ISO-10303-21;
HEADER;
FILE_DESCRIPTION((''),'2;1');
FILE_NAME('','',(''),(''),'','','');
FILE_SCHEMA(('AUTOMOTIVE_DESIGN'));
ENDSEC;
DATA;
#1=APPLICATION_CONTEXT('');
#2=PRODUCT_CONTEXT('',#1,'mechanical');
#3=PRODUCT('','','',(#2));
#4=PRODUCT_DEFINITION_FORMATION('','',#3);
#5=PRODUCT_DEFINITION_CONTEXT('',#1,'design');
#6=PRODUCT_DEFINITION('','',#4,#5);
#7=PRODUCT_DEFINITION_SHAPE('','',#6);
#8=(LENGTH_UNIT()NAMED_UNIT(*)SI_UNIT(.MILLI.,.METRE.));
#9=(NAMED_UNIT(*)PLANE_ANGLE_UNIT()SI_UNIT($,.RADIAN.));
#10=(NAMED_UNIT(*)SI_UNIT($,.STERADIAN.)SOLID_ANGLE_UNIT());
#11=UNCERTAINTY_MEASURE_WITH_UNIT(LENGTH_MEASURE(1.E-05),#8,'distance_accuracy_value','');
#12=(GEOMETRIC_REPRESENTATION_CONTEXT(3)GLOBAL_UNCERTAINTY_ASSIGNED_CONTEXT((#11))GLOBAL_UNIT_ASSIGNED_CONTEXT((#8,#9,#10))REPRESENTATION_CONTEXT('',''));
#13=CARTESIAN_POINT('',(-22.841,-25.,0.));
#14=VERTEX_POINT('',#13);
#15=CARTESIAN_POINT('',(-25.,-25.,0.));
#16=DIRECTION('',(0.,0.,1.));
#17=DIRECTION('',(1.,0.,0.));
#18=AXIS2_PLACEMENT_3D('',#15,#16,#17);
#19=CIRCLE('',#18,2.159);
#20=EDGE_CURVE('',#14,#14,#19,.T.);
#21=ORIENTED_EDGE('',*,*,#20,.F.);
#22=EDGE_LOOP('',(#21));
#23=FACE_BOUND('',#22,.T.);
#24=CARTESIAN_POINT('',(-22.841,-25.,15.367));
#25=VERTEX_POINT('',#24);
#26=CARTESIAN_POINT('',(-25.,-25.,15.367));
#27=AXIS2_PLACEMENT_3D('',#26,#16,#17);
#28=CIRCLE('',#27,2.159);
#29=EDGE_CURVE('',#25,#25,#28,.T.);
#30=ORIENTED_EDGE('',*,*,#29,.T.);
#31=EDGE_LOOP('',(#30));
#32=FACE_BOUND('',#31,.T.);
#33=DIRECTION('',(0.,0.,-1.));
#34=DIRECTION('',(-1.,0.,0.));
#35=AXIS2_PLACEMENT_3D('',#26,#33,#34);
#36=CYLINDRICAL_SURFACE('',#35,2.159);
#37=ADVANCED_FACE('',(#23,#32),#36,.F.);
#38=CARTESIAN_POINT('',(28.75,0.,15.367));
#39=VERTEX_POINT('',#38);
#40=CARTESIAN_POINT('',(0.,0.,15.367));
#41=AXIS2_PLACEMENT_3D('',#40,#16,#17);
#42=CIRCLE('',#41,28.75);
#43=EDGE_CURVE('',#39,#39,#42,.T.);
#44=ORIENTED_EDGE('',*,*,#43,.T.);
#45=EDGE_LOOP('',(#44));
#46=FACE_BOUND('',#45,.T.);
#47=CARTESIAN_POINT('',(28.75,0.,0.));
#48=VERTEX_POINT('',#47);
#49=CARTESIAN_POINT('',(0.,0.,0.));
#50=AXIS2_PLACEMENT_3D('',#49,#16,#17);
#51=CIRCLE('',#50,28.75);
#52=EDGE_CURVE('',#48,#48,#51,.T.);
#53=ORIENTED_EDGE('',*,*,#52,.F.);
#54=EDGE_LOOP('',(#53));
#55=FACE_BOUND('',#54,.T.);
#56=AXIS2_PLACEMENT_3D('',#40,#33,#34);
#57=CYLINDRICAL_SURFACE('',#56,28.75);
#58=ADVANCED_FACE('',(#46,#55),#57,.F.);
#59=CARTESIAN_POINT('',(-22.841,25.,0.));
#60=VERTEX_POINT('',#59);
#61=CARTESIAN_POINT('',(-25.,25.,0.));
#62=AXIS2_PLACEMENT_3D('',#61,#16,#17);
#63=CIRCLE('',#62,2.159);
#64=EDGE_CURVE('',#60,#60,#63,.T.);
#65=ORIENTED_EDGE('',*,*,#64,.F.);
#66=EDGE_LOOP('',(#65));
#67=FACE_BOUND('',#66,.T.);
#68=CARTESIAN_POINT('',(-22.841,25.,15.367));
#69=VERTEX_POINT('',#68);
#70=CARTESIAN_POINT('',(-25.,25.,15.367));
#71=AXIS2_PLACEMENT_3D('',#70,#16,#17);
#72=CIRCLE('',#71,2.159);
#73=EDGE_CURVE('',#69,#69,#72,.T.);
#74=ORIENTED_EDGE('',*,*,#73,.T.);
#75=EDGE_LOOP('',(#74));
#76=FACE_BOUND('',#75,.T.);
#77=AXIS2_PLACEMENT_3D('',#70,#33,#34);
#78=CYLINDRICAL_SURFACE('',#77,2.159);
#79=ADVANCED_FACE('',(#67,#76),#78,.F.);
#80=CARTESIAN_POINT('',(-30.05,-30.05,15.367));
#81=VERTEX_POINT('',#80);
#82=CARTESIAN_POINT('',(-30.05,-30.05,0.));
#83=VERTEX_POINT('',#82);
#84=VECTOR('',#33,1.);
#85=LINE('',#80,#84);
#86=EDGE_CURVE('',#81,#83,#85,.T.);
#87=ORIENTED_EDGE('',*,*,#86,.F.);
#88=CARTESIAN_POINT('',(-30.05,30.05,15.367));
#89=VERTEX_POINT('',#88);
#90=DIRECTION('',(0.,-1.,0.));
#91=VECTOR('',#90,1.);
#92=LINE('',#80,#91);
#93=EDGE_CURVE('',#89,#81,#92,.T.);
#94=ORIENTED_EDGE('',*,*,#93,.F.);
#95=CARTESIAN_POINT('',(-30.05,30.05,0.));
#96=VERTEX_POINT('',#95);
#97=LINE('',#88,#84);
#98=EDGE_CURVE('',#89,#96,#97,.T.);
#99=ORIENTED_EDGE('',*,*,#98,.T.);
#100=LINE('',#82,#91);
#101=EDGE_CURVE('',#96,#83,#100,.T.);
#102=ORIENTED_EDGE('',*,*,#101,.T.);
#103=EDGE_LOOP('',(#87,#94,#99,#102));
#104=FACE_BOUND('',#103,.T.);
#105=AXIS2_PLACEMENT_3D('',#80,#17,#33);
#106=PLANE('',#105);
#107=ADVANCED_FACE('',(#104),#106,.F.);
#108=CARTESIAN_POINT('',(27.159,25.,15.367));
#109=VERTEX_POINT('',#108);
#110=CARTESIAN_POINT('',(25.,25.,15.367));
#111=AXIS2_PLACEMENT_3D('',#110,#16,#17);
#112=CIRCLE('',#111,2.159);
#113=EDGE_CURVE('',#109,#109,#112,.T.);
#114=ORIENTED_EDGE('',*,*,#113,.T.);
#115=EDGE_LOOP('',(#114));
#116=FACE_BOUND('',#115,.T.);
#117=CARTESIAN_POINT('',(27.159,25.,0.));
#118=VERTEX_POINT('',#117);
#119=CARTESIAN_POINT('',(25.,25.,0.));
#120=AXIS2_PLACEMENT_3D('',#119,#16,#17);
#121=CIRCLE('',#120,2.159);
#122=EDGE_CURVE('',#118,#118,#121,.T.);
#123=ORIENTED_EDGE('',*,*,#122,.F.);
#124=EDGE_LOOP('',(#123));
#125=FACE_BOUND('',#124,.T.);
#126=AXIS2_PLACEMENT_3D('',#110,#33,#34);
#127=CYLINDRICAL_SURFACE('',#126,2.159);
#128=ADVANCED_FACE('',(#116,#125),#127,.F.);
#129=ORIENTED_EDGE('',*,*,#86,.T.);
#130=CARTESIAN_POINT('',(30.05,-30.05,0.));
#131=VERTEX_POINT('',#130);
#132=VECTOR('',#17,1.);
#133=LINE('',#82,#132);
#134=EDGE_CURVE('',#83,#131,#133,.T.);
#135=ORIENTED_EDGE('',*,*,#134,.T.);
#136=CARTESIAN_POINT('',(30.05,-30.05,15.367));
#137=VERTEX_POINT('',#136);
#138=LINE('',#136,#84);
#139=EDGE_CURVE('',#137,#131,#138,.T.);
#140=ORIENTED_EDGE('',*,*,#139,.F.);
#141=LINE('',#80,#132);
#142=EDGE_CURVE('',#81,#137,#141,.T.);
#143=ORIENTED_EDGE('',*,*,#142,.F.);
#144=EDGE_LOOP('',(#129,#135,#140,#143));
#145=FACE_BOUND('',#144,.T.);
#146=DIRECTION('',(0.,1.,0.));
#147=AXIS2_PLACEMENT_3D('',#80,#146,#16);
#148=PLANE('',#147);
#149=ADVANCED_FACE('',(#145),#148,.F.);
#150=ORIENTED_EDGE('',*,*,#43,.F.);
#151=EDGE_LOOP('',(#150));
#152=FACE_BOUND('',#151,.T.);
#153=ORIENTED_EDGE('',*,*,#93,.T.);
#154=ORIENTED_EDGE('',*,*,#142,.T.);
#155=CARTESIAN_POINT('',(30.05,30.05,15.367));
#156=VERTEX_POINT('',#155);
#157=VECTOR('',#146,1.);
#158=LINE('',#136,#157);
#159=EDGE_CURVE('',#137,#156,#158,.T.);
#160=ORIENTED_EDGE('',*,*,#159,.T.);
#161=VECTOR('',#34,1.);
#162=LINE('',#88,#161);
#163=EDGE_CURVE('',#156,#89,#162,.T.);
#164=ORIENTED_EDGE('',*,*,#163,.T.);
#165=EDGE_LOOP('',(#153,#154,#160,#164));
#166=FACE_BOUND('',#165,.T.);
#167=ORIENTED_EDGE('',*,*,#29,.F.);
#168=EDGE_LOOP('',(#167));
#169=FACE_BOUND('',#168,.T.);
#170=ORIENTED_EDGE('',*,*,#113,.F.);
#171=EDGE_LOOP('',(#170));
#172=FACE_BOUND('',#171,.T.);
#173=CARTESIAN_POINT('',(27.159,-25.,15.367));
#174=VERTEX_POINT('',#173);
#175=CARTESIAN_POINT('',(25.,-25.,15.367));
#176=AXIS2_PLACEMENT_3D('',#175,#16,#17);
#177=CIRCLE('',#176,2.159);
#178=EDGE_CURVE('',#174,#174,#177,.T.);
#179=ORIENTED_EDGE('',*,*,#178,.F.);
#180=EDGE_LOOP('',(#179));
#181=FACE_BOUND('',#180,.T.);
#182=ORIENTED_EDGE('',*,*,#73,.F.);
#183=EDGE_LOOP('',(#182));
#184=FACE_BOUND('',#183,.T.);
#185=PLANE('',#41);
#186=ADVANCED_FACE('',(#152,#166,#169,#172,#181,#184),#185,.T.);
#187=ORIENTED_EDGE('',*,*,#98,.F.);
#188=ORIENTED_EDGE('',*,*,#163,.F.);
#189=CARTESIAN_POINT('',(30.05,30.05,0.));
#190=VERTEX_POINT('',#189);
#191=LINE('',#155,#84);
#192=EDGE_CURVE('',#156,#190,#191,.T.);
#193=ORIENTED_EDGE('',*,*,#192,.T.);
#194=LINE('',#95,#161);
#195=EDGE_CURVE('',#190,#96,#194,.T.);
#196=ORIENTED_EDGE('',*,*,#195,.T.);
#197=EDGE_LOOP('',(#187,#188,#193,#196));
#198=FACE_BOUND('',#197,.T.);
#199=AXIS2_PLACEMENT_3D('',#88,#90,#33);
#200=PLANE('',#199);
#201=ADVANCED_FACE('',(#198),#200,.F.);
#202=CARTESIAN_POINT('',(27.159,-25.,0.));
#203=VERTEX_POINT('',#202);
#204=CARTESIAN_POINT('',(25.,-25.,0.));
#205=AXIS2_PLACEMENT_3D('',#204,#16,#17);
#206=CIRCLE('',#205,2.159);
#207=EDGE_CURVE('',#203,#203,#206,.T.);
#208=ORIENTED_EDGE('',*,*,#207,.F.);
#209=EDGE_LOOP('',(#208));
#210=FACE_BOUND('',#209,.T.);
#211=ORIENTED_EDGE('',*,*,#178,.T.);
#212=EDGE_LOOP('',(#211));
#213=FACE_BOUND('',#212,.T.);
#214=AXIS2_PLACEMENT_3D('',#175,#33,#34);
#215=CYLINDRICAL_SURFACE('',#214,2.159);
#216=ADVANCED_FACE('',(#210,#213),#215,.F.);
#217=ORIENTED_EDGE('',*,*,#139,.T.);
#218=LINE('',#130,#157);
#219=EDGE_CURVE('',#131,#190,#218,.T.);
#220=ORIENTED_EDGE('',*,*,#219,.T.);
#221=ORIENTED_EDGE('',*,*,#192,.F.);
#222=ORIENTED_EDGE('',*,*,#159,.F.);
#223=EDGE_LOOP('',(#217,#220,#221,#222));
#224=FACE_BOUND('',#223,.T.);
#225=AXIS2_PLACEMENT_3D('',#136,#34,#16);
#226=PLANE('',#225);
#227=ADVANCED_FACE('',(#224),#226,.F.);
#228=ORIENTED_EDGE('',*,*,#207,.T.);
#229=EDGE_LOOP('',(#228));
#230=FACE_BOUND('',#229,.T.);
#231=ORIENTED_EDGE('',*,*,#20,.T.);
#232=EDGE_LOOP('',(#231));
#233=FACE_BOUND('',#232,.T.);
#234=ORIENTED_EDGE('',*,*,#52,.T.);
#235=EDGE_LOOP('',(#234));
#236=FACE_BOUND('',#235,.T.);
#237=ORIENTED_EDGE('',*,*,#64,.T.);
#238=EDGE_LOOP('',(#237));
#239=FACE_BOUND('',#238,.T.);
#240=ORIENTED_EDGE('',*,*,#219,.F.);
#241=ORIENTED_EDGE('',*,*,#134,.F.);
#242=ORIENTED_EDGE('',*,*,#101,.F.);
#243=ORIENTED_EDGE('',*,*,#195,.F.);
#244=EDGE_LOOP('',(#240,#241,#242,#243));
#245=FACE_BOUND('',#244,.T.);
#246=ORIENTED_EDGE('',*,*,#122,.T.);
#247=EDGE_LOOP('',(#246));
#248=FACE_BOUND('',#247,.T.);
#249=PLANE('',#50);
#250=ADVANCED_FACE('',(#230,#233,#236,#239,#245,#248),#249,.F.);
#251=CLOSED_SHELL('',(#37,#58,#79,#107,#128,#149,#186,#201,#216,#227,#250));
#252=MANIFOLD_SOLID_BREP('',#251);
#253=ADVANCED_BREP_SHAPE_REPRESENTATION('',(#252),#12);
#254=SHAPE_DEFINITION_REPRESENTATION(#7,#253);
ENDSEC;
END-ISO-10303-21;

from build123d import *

# Parameters (mm, degrees)
SKETCH1_W           = 60.1
SKETCH1_H           = 60.1
SKETCH1_R           = 2.159
SKETCH1_R_2         = 28.75
BOSS_EXTRUDE1_DEPTH = 15.367


with BuildPart() as part:
    # Sketch1 → Boss-Extrude1 (new body)
    with BuildSketch(Plane.XY):
        Rectangle(SKETCH1_W, SKETCH1_H)
        with Locations((25, 25)):
            Circle(SKETCH1_R, mode=Mode.SUBTRACT)
        with Locations((25, -25)):
            Circle(SKETCH1_R, mode=Mode.SUBTRACT)
        with Locations((-25, -25)):
            Circle(SKETCH1_R, mode=Mode.SUBTRACT)
        with Locations((-25, 25)):
            Circle(SKETCH1_R, mode=Mode.SUBTRACT)
        Circle(SKETCH1_R_2, mode=Mode.SUBTRACT)
    extrude(amount=BOSS_EXTRUDE1_DEPTH)


solid = part.part
